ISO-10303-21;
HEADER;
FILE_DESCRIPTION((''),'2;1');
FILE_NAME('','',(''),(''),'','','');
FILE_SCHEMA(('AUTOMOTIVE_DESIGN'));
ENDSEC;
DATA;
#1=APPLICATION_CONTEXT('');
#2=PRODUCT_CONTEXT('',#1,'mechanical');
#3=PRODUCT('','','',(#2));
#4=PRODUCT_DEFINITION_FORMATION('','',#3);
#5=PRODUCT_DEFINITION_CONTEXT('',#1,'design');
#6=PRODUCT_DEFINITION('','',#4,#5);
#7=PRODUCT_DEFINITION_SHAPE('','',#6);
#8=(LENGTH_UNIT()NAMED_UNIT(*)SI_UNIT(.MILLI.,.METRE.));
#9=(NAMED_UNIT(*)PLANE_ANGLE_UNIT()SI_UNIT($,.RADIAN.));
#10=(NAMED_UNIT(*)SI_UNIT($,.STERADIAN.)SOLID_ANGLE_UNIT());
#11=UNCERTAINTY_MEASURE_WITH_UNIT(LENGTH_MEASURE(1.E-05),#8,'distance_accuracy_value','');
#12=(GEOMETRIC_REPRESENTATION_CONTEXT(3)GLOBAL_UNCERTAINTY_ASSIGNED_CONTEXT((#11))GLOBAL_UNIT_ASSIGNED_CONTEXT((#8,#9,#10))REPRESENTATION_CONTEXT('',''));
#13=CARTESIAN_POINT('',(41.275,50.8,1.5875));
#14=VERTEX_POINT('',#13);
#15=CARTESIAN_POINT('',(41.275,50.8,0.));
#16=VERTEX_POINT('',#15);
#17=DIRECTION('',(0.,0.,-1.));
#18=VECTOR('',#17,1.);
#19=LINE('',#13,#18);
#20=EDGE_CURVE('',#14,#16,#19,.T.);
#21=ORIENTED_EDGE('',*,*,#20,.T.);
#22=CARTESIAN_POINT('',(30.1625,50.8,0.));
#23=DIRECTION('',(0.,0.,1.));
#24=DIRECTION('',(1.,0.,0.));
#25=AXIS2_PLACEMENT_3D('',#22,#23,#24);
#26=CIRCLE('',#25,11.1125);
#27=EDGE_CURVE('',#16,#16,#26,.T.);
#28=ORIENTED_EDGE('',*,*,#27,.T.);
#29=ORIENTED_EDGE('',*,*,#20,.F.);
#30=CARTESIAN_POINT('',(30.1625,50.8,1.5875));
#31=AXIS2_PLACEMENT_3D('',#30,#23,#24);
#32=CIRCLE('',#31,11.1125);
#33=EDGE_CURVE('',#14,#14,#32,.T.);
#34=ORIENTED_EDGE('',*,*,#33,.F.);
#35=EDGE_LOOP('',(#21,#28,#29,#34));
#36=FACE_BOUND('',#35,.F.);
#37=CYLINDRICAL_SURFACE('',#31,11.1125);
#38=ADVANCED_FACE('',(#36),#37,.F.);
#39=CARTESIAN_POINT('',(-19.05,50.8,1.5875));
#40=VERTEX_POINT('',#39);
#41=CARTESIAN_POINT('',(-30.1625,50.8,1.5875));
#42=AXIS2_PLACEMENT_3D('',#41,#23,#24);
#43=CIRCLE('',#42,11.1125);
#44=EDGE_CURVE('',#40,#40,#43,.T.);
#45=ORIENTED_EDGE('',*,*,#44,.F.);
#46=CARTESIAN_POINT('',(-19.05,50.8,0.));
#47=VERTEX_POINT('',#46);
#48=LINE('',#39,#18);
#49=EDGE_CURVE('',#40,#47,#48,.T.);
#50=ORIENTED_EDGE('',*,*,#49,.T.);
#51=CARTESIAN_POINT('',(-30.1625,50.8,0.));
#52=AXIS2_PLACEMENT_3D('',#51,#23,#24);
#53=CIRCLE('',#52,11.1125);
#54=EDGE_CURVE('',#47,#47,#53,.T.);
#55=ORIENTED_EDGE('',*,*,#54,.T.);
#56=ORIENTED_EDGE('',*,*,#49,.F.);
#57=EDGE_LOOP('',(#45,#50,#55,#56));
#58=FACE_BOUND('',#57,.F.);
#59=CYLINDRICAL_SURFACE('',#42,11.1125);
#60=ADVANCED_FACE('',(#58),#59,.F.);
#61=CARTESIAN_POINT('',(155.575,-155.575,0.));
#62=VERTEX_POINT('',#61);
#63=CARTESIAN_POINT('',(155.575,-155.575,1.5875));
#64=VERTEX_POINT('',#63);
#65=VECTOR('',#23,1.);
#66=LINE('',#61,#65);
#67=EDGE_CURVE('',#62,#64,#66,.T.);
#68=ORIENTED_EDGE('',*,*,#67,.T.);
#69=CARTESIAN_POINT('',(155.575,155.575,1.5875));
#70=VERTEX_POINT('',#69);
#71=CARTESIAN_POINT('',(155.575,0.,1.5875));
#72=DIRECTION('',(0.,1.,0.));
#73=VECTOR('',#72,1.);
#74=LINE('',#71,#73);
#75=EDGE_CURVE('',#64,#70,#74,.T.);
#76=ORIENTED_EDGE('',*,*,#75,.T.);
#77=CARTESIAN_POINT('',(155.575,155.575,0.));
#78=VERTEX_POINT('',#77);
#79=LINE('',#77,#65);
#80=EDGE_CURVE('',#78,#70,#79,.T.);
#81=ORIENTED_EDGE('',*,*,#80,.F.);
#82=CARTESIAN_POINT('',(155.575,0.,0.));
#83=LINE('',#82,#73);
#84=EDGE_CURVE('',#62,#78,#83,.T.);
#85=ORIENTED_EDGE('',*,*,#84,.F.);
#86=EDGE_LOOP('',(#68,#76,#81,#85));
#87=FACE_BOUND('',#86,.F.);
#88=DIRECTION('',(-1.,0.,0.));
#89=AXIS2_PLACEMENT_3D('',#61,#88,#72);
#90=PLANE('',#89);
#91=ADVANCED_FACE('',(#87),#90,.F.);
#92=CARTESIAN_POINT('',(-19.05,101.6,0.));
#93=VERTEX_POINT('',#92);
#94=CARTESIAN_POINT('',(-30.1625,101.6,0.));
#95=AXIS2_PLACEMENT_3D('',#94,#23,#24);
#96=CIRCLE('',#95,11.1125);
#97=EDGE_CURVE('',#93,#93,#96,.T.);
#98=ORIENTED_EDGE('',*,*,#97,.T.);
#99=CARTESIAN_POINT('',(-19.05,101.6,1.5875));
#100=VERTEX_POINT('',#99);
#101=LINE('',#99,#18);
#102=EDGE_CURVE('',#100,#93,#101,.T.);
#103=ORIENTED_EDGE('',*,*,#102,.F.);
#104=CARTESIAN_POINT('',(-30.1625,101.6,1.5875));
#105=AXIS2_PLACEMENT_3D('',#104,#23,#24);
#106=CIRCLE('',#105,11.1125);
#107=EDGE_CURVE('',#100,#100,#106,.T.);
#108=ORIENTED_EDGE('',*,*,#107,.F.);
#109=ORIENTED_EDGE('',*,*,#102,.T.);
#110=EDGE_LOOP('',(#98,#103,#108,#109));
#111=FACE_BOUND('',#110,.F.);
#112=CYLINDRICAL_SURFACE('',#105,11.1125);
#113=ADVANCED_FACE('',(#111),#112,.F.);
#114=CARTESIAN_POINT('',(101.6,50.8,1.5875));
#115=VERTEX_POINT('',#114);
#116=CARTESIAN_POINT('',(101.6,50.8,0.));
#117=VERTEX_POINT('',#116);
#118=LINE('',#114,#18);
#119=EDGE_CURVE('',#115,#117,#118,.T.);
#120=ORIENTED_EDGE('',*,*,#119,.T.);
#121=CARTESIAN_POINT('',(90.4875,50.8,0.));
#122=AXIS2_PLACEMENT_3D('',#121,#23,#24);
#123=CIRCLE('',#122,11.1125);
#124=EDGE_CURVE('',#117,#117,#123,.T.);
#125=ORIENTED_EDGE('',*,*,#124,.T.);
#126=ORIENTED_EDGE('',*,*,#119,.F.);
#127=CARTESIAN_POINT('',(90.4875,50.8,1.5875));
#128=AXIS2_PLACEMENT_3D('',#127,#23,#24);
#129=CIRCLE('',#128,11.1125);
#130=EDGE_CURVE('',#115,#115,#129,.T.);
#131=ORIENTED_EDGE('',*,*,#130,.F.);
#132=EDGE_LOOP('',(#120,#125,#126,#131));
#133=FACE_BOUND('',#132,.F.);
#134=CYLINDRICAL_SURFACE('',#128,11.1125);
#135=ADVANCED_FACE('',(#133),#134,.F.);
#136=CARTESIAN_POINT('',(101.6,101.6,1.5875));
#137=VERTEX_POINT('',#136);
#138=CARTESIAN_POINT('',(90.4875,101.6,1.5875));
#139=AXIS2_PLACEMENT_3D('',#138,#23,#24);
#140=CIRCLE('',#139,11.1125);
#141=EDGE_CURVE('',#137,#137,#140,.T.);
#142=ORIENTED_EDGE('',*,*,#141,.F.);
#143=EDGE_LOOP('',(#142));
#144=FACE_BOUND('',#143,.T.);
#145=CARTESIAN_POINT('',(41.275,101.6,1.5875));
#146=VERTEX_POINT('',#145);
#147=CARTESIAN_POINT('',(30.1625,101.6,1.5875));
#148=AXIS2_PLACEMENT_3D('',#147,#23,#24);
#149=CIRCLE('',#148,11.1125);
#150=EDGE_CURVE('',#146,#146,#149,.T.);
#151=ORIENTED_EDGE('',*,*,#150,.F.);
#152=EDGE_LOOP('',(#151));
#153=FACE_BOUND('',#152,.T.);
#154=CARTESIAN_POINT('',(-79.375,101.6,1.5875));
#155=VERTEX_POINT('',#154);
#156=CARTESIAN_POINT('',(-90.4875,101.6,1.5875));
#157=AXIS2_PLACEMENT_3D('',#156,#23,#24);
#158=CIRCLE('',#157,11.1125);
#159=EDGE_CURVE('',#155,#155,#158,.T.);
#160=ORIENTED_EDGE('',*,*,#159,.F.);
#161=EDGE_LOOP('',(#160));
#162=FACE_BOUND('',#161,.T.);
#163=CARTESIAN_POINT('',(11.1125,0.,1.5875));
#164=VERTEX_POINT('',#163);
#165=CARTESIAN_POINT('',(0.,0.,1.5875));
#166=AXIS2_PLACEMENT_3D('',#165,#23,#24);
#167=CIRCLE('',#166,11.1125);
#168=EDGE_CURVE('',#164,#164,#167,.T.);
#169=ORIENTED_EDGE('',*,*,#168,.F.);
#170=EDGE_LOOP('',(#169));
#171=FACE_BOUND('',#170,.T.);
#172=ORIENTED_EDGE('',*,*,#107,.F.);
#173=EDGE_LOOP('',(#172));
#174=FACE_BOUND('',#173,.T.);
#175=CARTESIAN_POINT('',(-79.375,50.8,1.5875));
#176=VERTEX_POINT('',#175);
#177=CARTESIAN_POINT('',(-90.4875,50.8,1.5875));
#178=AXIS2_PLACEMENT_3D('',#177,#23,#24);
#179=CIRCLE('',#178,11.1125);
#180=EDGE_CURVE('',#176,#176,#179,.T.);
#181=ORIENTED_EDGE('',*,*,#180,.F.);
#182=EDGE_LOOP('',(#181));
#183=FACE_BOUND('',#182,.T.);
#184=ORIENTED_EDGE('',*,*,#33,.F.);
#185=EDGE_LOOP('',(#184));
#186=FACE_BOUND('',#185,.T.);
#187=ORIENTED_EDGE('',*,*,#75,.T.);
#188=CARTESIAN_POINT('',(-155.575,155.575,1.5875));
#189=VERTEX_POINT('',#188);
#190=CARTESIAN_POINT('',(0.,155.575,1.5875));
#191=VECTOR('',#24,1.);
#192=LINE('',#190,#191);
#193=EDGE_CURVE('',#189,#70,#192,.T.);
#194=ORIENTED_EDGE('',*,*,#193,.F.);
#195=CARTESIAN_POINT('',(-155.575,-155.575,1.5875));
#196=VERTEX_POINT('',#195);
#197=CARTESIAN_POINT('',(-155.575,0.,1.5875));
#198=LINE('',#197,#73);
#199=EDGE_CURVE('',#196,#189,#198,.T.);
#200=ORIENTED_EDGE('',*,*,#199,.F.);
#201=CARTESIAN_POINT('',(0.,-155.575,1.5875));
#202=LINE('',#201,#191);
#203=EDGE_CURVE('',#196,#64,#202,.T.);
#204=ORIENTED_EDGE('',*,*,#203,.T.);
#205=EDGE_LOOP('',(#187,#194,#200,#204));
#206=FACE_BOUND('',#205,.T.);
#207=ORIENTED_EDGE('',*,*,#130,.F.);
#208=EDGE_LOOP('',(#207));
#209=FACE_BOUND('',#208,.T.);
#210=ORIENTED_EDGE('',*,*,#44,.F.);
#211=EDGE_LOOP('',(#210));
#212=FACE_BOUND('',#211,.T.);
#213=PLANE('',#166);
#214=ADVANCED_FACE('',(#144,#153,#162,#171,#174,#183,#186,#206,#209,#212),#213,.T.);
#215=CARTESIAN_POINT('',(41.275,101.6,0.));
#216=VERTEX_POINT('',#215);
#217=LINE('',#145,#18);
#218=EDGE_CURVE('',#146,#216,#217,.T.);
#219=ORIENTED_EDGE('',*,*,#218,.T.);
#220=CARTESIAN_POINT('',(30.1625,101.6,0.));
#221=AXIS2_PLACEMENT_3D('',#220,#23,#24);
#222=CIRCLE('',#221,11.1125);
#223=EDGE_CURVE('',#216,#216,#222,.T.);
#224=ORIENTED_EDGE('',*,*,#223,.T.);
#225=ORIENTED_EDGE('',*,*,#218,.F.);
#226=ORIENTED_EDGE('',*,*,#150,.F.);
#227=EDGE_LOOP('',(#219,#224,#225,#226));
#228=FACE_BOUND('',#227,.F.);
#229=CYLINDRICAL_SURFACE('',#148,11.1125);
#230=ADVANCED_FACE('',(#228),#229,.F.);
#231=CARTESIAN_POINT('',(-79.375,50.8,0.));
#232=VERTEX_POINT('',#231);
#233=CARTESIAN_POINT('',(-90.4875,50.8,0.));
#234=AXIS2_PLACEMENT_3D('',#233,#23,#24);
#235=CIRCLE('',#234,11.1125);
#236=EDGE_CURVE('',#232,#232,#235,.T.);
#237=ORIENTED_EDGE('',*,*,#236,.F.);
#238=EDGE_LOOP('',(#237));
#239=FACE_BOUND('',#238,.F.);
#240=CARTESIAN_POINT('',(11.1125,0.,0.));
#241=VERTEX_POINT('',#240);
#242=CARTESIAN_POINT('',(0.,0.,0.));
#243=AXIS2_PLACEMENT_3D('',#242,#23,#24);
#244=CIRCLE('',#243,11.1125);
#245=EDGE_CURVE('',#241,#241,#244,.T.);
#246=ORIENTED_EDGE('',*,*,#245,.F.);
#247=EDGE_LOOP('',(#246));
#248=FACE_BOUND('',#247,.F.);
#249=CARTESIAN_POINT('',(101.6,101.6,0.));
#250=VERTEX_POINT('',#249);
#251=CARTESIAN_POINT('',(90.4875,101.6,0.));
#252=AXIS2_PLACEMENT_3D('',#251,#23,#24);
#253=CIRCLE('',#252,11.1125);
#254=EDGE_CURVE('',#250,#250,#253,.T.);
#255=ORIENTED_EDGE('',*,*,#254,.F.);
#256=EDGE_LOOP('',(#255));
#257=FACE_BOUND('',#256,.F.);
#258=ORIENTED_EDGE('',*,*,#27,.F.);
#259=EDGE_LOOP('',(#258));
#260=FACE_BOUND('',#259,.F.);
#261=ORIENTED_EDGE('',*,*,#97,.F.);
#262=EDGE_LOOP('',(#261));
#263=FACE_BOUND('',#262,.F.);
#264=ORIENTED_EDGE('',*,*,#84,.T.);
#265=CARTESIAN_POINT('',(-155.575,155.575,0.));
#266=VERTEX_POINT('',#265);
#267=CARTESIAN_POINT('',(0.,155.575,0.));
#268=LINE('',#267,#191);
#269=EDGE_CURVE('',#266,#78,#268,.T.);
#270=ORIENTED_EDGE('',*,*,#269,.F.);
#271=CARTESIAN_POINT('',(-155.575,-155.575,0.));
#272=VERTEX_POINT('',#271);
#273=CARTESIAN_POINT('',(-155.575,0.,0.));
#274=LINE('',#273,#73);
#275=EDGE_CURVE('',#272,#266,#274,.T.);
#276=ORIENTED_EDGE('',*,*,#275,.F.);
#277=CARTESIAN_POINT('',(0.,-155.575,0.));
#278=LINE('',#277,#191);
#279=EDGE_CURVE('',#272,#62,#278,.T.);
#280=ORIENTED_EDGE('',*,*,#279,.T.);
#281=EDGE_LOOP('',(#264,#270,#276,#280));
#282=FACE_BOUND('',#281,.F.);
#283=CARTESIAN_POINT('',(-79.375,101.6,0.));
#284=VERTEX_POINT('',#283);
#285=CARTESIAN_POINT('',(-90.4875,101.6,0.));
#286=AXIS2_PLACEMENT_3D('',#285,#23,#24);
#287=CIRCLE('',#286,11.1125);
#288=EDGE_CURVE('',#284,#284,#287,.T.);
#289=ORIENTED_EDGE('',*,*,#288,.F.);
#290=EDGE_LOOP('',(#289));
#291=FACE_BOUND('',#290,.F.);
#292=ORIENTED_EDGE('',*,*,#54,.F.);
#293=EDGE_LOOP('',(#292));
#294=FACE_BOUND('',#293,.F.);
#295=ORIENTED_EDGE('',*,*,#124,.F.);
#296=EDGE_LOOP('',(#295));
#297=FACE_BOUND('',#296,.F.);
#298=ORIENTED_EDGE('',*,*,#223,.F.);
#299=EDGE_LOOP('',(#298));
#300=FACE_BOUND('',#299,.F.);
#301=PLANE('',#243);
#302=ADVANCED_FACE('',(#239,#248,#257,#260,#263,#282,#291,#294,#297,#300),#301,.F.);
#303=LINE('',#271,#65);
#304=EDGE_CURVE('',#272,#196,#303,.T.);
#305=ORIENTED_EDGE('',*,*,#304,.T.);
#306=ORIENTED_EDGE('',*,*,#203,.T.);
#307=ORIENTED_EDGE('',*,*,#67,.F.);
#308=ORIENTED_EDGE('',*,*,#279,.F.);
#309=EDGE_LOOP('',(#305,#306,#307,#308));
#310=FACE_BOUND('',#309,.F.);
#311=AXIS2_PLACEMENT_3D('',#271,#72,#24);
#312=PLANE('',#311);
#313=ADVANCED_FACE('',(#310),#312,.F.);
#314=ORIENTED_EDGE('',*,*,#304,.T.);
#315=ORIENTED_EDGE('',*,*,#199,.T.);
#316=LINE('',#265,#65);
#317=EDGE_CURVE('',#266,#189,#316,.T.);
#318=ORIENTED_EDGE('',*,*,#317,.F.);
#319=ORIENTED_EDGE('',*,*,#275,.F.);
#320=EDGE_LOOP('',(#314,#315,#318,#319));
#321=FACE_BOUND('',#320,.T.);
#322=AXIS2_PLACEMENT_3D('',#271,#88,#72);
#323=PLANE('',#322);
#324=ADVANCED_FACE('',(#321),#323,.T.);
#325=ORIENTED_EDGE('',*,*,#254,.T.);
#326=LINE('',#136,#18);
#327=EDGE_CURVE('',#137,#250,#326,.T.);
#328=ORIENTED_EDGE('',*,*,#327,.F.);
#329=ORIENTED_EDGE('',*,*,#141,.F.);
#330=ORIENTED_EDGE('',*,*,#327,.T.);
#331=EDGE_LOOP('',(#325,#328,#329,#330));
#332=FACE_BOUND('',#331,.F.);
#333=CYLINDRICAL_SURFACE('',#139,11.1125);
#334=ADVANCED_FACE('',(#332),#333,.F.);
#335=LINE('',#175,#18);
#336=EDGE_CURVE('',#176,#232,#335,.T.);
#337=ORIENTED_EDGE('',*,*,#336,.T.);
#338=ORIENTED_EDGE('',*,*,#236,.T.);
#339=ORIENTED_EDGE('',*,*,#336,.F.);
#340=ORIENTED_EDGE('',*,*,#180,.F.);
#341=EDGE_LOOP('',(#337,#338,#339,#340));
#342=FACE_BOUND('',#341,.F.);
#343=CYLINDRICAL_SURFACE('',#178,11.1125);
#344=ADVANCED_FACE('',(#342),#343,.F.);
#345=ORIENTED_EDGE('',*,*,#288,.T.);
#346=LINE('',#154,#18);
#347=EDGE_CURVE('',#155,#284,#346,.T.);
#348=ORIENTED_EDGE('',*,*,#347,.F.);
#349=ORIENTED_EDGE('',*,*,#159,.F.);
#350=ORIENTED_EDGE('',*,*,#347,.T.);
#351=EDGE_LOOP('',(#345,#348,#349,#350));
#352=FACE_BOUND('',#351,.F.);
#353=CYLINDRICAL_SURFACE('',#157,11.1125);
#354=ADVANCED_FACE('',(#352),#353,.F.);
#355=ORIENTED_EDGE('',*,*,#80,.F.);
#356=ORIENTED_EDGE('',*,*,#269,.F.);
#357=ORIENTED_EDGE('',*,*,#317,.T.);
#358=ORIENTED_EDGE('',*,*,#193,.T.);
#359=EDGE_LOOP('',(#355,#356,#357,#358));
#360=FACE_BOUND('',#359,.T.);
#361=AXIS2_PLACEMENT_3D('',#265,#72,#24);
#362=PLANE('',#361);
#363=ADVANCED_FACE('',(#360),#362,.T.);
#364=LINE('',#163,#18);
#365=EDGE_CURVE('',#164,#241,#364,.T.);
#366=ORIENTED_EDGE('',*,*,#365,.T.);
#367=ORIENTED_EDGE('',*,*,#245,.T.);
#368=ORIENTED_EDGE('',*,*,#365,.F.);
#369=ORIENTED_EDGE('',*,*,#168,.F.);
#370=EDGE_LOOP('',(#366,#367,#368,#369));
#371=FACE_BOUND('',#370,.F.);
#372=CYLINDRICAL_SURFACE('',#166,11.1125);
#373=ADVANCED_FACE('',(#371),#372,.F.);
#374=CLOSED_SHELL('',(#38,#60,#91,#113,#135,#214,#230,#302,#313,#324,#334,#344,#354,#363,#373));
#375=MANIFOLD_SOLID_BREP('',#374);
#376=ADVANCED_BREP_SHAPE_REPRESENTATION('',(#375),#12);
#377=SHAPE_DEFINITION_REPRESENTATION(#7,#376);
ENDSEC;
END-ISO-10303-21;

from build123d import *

# Parameters (mm, degrees)
F0_W     = 311.15
F0_H     = 311.15
F1_DEPTH = 1.5875
F2_R     = 11.1125
F3_DEPTH = 1.5885


with BuildPart() as f1:
    # F0 (on Top) → F1 (new body)
    with BuildSketch(Plane.XY):
        Rectangle(F0_W, F0_H)
    extrude(amount=F1_DEPTH)

    # F2 (on face) → F3 (cut, through all)
    with BuildSketch(Plane.XY.offset(1.5875)):
        with Locations((-90.4875, 101.6)):
            Circle(F2_R)
        with Locations((-90.4875, 50.8)):
            Circle(F2_R)
        with Locations((-30.1625, 50.8)):
            Circle(F2_R)
        with Locations((-30.1625, 101.6)):
            Circle(F2_R)
        with Locations((30.1625, 101.6)):
            Circle(F2_R)
        with Locations((30.1625, 50.8)):
            Circle(F2_R)
        Circle(F2_R)
        with Locations((90.4875, 101.6)):
            Circle(F2_R)
        with Locations((90.4875, 50.8)):
            Circle(F2_R)
    extrude(amount=-F3_DEPTH, mode=Mode.SUBTRACT)


solid = f1.part
